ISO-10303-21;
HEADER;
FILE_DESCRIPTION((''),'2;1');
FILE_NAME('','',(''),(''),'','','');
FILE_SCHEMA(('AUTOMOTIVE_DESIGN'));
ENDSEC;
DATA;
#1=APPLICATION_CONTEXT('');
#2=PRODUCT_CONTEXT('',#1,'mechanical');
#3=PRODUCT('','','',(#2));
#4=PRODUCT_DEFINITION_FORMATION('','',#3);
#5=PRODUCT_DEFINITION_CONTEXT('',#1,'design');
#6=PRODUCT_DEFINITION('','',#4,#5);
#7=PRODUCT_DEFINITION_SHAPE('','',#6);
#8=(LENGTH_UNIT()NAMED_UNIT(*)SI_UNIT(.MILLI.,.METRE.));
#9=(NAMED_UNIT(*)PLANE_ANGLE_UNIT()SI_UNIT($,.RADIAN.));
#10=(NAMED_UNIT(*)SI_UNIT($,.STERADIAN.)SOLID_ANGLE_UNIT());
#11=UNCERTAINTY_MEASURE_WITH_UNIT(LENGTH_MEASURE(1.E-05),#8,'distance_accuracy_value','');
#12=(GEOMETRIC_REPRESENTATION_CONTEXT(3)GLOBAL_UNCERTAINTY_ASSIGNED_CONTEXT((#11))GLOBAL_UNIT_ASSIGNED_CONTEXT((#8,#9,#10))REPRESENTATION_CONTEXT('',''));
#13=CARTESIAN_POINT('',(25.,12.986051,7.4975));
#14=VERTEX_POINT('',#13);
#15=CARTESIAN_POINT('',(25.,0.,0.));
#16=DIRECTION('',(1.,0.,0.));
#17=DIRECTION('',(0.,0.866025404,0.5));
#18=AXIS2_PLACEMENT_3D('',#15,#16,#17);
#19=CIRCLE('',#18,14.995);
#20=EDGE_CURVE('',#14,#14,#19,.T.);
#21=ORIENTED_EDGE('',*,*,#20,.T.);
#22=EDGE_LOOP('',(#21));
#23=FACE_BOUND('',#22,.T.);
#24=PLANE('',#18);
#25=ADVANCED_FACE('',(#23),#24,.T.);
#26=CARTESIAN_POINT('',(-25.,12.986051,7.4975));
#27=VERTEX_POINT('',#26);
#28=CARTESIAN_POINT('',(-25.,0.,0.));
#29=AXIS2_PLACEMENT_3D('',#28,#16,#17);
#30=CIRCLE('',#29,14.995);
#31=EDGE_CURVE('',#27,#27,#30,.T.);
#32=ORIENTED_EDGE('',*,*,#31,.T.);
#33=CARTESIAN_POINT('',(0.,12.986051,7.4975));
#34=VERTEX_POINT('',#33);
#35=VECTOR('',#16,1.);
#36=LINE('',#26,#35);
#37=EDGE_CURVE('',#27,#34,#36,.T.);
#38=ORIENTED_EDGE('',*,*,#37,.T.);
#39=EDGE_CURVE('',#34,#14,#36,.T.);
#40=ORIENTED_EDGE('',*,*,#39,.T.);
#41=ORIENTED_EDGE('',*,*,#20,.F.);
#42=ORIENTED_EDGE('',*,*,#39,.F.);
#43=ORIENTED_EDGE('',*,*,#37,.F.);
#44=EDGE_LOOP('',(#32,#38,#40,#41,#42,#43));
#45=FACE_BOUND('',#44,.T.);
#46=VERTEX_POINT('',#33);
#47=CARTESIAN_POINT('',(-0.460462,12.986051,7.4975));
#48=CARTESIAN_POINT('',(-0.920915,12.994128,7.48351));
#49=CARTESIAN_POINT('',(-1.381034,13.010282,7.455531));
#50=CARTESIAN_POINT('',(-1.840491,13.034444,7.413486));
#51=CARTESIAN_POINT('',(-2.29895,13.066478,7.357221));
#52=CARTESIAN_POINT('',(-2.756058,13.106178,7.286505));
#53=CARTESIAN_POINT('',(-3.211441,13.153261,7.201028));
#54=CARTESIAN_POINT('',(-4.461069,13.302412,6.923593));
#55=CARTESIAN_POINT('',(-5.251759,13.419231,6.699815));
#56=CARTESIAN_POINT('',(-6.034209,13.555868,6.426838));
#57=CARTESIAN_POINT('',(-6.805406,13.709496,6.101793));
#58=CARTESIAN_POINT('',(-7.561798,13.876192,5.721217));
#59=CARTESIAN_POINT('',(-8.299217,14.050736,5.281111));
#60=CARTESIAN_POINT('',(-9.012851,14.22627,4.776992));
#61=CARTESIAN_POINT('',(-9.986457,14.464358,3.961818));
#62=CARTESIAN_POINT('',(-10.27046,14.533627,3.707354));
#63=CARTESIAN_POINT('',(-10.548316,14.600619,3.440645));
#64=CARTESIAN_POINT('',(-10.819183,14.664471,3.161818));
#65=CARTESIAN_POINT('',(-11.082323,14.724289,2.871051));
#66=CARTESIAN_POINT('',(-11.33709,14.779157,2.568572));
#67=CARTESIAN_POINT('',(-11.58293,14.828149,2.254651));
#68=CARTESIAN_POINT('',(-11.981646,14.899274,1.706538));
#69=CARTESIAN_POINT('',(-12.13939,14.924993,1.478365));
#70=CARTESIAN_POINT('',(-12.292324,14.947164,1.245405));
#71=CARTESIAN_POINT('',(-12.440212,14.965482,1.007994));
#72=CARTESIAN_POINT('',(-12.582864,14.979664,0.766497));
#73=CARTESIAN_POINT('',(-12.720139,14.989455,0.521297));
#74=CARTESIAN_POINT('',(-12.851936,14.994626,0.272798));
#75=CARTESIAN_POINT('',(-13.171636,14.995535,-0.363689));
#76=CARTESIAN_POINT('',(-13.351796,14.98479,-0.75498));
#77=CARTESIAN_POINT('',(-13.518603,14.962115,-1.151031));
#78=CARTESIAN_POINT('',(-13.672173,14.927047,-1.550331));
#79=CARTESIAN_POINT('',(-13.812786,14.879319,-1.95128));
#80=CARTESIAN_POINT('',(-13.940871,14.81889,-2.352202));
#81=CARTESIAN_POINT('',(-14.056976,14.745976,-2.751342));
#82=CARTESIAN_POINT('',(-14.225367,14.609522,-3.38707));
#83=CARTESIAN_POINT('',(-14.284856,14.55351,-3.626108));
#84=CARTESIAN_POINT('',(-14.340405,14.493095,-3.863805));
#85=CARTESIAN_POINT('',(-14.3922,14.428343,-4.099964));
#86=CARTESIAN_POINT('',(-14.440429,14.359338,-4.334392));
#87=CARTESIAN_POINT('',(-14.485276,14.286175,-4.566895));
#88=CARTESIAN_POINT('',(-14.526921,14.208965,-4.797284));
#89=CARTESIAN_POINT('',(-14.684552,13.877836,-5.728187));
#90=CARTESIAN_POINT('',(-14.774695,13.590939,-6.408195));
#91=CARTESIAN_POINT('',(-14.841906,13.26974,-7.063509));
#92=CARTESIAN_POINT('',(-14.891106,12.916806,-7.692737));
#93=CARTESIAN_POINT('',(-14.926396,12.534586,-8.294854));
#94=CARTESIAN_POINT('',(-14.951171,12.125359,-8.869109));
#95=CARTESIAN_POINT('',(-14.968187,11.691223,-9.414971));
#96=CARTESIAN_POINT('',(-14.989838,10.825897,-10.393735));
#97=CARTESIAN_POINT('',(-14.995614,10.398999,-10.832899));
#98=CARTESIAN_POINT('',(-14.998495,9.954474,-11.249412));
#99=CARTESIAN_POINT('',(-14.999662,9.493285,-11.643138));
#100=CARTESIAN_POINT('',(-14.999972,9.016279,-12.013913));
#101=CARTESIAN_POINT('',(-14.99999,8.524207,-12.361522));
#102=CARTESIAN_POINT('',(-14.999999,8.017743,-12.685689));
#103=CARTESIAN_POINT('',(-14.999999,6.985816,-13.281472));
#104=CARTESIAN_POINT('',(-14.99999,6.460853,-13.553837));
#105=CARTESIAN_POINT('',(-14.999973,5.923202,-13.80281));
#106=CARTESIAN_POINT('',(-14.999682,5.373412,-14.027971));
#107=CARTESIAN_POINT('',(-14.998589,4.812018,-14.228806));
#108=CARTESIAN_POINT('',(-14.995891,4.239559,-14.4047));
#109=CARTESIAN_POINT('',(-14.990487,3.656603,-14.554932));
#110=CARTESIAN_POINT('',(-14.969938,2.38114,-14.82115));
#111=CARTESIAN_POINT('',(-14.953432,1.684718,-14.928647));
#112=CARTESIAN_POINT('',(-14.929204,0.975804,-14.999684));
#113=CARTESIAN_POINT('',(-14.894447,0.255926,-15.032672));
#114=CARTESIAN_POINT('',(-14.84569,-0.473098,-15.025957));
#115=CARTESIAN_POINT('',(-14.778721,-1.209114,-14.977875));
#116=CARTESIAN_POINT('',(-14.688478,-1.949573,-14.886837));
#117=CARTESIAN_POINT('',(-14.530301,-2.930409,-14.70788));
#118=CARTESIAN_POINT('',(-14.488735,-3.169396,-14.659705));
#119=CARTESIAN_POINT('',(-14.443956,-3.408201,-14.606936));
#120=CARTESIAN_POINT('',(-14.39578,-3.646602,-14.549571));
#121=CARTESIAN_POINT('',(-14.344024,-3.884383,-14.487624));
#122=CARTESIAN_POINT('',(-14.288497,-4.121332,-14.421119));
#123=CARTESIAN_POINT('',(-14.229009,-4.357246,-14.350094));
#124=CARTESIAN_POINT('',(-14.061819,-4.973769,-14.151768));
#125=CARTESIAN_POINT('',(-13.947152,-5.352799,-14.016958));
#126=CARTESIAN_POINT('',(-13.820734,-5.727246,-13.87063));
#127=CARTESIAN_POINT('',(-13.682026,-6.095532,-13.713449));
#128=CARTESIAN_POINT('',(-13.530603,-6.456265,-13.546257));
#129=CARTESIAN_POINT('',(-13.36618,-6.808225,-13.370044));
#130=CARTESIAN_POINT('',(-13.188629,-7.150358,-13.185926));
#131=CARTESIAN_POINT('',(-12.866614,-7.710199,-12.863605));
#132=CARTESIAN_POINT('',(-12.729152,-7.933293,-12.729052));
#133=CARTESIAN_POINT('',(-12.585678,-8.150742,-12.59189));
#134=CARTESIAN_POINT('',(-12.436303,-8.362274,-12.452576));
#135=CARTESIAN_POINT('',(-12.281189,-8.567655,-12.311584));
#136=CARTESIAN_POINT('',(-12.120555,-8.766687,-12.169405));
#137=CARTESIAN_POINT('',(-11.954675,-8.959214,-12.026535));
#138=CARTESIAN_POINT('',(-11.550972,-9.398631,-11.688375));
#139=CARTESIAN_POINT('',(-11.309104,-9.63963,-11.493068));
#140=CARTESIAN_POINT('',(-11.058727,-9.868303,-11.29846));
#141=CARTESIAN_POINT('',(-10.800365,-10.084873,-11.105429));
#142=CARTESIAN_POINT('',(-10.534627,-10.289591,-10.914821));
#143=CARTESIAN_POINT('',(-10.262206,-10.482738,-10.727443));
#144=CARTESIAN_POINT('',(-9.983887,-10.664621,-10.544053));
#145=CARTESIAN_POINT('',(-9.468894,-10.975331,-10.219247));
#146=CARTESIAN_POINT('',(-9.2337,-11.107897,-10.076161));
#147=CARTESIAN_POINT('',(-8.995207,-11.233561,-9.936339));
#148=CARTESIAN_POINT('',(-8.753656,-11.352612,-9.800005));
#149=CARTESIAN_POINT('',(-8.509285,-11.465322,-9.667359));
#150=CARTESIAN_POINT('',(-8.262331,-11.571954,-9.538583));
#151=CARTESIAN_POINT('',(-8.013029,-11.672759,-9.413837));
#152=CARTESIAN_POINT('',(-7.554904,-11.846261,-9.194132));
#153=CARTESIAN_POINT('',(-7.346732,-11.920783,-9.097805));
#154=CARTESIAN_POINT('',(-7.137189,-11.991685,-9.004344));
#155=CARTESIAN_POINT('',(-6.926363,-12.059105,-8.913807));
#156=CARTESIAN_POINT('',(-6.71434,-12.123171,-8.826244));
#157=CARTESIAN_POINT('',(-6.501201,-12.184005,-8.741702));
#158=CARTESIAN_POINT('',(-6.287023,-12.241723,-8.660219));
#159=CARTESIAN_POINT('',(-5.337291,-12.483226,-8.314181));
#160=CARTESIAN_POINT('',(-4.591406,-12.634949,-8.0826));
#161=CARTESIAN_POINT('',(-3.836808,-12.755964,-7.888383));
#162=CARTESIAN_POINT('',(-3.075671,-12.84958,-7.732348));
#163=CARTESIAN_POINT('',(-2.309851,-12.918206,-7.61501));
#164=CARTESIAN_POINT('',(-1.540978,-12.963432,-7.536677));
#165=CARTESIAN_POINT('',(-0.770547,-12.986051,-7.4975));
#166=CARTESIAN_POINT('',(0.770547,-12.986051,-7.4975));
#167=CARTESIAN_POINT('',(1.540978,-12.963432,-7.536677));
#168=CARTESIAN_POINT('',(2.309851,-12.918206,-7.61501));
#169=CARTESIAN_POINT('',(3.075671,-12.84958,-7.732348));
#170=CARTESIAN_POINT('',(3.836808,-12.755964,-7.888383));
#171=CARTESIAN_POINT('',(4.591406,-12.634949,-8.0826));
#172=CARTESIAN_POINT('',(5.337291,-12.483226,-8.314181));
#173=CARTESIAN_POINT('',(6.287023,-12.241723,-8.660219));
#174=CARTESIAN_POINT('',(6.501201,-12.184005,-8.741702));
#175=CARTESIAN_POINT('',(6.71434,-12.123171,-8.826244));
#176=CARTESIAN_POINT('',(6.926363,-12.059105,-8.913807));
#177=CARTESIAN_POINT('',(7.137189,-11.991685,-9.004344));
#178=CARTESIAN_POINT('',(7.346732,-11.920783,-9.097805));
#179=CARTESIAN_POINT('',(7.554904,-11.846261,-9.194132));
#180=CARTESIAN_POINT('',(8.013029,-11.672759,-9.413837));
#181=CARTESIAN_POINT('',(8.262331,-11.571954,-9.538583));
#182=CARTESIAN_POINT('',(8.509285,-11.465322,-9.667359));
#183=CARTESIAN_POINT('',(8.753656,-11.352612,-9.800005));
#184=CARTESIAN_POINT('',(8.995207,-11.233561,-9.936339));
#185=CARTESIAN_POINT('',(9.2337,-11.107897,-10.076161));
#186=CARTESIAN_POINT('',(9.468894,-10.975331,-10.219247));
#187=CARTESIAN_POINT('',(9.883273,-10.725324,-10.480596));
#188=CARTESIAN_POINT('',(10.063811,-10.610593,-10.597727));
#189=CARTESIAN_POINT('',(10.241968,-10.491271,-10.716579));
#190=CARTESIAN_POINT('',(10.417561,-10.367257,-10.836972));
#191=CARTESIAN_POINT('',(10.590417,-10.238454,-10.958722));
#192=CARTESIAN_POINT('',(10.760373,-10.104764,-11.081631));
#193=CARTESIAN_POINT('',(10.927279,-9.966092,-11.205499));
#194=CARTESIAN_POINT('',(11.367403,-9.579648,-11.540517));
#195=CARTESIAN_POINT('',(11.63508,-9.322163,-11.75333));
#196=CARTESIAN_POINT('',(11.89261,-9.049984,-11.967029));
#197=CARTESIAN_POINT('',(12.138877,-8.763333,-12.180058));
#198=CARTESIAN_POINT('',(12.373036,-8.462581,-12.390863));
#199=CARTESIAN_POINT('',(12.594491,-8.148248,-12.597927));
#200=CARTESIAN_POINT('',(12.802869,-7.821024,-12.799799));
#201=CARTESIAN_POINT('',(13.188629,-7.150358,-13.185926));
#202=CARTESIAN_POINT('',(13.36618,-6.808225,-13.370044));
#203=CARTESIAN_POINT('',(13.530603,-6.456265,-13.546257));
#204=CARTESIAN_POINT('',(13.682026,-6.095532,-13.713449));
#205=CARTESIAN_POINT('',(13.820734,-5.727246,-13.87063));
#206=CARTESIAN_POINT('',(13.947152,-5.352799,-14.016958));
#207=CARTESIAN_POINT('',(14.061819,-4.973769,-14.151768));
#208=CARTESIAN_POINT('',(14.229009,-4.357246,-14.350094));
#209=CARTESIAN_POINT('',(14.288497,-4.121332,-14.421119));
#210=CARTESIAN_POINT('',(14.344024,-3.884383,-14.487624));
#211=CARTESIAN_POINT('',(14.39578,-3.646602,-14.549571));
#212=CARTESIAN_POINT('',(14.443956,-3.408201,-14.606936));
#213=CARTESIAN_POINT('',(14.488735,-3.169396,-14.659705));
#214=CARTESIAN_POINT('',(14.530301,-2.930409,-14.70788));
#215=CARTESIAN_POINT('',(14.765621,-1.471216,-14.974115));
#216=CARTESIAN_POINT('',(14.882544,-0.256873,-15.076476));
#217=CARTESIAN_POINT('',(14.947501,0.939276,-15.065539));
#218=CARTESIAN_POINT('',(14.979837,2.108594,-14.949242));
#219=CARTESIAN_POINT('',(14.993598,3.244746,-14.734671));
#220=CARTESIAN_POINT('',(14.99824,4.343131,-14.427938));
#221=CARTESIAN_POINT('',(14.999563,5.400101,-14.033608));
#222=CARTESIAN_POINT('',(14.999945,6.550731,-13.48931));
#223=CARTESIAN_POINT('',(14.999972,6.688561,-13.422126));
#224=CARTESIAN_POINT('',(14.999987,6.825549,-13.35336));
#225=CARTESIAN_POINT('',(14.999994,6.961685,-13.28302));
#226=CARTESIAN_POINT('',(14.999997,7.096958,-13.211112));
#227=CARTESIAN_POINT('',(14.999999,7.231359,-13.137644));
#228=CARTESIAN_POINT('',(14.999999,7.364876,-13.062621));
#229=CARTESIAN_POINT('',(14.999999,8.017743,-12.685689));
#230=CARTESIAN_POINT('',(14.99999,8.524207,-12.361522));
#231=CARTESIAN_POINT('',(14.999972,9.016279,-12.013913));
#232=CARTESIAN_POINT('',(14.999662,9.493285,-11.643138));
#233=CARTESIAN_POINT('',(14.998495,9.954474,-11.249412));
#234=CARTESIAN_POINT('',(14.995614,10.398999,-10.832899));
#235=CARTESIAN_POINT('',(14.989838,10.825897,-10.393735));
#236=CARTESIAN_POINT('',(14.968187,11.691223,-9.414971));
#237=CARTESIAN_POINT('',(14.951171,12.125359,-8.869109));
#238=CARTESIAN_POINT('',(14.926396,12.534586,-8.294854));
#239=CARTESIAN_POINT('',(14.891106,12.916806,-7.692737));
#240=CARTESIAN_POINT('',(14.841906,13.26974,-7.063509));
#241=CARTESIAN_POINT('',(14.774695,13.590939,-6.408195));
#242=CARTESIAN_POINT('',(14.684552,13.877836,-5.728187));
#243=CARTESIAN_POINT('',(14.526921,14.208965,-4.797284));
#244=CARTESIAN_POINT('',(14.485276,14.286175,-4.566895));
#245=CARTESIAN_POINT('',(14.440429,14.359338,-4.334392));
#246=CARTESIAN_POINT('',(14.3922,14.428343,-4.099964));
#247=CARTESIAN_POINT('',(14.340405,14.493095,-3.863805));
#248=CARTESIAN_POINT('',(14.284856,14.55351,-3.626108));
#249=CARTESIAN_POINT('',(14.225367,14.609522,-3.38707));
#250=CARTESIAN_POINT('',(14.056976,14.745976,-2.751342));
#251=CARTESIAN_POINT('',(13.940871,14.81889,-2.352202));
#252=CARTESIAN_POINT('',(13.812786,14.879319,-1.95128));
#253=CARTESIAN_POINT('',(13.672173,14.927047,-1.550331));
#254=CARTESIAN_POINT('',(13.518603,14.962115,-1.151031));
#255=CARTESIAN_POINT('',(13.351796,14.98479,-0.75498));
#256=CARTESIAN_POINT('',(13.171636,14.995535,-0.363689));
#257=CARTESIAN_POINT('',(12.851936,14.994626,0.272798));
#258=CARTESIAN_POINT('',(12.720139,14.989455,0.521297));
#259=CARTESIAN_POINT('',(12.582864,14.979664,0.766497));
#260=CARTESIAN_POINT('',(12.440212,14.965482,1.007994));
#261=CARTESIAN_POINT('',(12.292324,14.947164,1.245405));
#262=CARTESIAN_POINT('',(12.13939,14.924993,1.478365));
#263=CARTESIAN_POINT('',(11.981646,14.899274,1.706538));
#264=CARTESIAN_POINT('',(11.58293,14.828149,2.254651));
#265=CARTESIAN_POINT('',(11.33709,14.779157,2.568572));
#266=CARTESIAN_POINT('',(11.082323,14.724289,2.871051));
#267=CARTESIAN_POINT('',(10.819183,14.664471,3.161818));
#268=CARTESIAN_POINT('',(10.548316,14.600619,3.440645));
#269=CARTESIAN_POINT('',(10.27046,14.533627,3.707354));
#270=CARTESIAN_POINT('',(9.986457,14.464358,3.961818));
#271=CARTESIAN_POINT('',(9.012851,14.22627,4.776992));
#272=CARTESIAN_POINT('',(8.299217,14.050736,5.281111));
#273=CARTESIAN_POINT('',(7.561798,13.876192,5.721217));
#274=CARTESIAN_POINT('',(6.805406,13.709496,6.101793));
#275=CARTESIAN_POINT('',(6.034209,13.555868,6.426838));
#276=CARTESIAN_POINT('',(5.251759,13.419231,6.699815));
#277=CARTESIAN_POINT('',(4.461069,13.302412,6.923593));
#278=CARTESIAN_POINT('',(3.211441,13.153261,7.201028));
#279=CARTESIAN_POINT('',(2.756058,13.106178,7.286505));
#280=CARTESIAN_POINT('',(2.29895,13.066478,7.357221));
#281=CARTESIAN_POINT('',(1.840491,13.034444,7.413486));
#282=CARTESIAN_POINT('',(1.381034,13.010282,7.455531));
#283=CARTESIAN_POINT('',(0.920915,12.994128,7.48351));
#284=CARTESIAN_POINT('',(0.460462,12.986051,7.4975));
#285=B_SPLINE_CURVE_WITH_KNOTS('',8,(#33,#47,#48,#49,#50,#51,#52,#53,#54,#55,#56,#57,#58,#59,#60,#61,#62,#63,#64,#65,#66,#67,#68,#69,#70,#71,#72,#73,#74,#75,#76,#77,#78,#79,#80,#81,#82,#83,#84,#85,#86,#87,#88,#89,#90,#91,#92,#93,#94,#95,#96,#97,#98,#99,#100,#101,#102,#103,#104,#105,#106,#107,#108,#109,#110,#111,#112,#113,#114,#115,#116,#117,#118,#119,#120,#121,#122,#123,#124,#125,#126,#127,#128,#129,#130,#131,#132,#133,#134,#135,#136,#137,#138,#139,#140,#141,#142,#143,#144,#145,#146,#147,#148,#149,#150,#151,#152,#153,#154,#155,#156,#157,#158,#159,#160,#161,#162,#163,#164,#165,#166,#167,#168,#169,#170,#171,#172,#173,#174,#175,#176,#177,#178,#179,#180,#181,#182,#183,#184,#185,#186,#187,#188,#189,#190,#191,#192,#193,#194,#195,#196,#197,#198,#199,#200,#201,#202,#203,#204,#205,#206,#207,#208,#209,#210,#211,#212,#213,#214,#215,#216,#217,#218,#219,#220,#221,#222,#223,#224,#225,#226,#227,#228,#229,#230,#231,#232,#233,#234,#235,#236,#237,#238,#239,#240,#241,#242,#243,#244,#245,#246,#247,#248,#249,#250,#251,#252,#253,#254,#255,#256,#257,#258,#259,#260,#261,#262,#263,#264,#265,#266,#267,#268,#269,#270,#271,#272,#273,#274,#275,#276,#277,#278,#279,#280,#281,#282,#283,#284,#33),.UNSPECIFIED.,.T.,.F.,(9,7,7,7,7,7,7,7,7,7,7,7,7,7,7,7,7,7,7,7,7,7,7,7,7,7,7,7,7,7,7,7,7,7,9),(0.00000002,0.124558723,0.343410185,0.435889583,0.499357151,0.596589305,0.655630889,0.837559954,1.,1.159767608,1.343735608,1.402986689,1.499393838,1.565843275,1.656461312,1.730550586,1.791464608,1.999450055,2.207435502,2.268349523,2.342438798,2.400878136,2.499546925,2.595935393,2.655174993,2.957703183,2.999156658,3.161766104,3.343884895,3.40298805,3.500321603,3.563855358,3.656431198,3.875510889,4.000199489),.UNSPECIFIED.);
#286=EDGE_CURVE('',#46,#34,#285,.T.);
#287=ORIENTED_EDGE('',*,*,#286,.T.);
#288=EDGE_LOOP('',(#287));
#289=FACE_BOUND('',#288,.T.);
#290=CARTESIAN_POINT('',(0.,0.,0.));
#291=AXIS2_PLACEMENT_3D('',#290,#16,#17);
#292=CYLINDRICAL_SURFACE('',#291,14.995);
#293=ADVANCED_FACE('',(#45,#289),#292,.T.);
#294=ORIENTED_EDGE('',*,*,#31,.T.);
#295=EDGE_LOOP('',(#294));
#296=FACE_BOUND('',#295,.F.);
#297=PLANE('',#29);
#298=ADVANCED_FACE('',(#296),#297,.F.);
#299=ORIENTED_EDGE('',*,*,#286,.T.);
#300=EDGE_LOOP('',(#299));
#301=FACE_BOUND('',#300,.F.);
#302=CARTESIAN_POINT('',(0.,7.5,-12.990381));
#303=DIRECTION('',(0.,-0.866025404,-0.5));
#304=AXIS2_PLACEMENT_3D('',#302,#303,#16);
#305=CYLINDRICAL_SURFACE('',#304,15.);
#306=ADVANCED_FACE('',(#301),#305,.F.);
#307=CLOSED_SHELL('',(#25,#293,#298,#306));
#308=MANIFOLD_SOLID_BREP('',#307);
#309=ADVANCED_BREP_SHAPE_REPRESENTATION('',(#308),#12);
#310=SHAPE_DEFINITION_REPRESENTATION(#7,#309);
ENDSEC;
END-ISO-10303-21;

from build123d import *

# Parameters (mm, degrees)
F0_R          = 14.995
F1_DEPTH      = 25
F1_DEPTH_BACK = 25
F2_R          = 15
F3_DEPTH      = 25
F3_DEPTH_BACK = 25
F5_ANGLE      = 30


with BuildPart() as f1:
    # F0 (on Right) → F1 (new body, two sides)
    with BuildSketch(Plane.YZ) as f1_sk:
        Circle(F0_R)
    extrude(amount=F1_DEPTH)
    extrude(f1_sk.sketch, amount=-F1_DEPTH_BACK)

    # F2 (on Front) → F3 (cut, two sides)
    with BuildSketch(Plane.XZ) as f3_sk:
        with Locations((0, -15)):
            Circle(F2_R)
    extrude(amount=-F3_DEPTH, mode=Mode.SUBTRACT)
    extrude(f3_sk.sketch, amount=F3_DEPTH_BACK, mode=Mode.SUBTRACT)


with BuildPart() as f1_1:
    # F5: moved
    add(f1.part.rotate(Axis((31.3068032265, 0, 0), (1, 0, 0)), F5_ANGLE))


solid = f1_1.part
